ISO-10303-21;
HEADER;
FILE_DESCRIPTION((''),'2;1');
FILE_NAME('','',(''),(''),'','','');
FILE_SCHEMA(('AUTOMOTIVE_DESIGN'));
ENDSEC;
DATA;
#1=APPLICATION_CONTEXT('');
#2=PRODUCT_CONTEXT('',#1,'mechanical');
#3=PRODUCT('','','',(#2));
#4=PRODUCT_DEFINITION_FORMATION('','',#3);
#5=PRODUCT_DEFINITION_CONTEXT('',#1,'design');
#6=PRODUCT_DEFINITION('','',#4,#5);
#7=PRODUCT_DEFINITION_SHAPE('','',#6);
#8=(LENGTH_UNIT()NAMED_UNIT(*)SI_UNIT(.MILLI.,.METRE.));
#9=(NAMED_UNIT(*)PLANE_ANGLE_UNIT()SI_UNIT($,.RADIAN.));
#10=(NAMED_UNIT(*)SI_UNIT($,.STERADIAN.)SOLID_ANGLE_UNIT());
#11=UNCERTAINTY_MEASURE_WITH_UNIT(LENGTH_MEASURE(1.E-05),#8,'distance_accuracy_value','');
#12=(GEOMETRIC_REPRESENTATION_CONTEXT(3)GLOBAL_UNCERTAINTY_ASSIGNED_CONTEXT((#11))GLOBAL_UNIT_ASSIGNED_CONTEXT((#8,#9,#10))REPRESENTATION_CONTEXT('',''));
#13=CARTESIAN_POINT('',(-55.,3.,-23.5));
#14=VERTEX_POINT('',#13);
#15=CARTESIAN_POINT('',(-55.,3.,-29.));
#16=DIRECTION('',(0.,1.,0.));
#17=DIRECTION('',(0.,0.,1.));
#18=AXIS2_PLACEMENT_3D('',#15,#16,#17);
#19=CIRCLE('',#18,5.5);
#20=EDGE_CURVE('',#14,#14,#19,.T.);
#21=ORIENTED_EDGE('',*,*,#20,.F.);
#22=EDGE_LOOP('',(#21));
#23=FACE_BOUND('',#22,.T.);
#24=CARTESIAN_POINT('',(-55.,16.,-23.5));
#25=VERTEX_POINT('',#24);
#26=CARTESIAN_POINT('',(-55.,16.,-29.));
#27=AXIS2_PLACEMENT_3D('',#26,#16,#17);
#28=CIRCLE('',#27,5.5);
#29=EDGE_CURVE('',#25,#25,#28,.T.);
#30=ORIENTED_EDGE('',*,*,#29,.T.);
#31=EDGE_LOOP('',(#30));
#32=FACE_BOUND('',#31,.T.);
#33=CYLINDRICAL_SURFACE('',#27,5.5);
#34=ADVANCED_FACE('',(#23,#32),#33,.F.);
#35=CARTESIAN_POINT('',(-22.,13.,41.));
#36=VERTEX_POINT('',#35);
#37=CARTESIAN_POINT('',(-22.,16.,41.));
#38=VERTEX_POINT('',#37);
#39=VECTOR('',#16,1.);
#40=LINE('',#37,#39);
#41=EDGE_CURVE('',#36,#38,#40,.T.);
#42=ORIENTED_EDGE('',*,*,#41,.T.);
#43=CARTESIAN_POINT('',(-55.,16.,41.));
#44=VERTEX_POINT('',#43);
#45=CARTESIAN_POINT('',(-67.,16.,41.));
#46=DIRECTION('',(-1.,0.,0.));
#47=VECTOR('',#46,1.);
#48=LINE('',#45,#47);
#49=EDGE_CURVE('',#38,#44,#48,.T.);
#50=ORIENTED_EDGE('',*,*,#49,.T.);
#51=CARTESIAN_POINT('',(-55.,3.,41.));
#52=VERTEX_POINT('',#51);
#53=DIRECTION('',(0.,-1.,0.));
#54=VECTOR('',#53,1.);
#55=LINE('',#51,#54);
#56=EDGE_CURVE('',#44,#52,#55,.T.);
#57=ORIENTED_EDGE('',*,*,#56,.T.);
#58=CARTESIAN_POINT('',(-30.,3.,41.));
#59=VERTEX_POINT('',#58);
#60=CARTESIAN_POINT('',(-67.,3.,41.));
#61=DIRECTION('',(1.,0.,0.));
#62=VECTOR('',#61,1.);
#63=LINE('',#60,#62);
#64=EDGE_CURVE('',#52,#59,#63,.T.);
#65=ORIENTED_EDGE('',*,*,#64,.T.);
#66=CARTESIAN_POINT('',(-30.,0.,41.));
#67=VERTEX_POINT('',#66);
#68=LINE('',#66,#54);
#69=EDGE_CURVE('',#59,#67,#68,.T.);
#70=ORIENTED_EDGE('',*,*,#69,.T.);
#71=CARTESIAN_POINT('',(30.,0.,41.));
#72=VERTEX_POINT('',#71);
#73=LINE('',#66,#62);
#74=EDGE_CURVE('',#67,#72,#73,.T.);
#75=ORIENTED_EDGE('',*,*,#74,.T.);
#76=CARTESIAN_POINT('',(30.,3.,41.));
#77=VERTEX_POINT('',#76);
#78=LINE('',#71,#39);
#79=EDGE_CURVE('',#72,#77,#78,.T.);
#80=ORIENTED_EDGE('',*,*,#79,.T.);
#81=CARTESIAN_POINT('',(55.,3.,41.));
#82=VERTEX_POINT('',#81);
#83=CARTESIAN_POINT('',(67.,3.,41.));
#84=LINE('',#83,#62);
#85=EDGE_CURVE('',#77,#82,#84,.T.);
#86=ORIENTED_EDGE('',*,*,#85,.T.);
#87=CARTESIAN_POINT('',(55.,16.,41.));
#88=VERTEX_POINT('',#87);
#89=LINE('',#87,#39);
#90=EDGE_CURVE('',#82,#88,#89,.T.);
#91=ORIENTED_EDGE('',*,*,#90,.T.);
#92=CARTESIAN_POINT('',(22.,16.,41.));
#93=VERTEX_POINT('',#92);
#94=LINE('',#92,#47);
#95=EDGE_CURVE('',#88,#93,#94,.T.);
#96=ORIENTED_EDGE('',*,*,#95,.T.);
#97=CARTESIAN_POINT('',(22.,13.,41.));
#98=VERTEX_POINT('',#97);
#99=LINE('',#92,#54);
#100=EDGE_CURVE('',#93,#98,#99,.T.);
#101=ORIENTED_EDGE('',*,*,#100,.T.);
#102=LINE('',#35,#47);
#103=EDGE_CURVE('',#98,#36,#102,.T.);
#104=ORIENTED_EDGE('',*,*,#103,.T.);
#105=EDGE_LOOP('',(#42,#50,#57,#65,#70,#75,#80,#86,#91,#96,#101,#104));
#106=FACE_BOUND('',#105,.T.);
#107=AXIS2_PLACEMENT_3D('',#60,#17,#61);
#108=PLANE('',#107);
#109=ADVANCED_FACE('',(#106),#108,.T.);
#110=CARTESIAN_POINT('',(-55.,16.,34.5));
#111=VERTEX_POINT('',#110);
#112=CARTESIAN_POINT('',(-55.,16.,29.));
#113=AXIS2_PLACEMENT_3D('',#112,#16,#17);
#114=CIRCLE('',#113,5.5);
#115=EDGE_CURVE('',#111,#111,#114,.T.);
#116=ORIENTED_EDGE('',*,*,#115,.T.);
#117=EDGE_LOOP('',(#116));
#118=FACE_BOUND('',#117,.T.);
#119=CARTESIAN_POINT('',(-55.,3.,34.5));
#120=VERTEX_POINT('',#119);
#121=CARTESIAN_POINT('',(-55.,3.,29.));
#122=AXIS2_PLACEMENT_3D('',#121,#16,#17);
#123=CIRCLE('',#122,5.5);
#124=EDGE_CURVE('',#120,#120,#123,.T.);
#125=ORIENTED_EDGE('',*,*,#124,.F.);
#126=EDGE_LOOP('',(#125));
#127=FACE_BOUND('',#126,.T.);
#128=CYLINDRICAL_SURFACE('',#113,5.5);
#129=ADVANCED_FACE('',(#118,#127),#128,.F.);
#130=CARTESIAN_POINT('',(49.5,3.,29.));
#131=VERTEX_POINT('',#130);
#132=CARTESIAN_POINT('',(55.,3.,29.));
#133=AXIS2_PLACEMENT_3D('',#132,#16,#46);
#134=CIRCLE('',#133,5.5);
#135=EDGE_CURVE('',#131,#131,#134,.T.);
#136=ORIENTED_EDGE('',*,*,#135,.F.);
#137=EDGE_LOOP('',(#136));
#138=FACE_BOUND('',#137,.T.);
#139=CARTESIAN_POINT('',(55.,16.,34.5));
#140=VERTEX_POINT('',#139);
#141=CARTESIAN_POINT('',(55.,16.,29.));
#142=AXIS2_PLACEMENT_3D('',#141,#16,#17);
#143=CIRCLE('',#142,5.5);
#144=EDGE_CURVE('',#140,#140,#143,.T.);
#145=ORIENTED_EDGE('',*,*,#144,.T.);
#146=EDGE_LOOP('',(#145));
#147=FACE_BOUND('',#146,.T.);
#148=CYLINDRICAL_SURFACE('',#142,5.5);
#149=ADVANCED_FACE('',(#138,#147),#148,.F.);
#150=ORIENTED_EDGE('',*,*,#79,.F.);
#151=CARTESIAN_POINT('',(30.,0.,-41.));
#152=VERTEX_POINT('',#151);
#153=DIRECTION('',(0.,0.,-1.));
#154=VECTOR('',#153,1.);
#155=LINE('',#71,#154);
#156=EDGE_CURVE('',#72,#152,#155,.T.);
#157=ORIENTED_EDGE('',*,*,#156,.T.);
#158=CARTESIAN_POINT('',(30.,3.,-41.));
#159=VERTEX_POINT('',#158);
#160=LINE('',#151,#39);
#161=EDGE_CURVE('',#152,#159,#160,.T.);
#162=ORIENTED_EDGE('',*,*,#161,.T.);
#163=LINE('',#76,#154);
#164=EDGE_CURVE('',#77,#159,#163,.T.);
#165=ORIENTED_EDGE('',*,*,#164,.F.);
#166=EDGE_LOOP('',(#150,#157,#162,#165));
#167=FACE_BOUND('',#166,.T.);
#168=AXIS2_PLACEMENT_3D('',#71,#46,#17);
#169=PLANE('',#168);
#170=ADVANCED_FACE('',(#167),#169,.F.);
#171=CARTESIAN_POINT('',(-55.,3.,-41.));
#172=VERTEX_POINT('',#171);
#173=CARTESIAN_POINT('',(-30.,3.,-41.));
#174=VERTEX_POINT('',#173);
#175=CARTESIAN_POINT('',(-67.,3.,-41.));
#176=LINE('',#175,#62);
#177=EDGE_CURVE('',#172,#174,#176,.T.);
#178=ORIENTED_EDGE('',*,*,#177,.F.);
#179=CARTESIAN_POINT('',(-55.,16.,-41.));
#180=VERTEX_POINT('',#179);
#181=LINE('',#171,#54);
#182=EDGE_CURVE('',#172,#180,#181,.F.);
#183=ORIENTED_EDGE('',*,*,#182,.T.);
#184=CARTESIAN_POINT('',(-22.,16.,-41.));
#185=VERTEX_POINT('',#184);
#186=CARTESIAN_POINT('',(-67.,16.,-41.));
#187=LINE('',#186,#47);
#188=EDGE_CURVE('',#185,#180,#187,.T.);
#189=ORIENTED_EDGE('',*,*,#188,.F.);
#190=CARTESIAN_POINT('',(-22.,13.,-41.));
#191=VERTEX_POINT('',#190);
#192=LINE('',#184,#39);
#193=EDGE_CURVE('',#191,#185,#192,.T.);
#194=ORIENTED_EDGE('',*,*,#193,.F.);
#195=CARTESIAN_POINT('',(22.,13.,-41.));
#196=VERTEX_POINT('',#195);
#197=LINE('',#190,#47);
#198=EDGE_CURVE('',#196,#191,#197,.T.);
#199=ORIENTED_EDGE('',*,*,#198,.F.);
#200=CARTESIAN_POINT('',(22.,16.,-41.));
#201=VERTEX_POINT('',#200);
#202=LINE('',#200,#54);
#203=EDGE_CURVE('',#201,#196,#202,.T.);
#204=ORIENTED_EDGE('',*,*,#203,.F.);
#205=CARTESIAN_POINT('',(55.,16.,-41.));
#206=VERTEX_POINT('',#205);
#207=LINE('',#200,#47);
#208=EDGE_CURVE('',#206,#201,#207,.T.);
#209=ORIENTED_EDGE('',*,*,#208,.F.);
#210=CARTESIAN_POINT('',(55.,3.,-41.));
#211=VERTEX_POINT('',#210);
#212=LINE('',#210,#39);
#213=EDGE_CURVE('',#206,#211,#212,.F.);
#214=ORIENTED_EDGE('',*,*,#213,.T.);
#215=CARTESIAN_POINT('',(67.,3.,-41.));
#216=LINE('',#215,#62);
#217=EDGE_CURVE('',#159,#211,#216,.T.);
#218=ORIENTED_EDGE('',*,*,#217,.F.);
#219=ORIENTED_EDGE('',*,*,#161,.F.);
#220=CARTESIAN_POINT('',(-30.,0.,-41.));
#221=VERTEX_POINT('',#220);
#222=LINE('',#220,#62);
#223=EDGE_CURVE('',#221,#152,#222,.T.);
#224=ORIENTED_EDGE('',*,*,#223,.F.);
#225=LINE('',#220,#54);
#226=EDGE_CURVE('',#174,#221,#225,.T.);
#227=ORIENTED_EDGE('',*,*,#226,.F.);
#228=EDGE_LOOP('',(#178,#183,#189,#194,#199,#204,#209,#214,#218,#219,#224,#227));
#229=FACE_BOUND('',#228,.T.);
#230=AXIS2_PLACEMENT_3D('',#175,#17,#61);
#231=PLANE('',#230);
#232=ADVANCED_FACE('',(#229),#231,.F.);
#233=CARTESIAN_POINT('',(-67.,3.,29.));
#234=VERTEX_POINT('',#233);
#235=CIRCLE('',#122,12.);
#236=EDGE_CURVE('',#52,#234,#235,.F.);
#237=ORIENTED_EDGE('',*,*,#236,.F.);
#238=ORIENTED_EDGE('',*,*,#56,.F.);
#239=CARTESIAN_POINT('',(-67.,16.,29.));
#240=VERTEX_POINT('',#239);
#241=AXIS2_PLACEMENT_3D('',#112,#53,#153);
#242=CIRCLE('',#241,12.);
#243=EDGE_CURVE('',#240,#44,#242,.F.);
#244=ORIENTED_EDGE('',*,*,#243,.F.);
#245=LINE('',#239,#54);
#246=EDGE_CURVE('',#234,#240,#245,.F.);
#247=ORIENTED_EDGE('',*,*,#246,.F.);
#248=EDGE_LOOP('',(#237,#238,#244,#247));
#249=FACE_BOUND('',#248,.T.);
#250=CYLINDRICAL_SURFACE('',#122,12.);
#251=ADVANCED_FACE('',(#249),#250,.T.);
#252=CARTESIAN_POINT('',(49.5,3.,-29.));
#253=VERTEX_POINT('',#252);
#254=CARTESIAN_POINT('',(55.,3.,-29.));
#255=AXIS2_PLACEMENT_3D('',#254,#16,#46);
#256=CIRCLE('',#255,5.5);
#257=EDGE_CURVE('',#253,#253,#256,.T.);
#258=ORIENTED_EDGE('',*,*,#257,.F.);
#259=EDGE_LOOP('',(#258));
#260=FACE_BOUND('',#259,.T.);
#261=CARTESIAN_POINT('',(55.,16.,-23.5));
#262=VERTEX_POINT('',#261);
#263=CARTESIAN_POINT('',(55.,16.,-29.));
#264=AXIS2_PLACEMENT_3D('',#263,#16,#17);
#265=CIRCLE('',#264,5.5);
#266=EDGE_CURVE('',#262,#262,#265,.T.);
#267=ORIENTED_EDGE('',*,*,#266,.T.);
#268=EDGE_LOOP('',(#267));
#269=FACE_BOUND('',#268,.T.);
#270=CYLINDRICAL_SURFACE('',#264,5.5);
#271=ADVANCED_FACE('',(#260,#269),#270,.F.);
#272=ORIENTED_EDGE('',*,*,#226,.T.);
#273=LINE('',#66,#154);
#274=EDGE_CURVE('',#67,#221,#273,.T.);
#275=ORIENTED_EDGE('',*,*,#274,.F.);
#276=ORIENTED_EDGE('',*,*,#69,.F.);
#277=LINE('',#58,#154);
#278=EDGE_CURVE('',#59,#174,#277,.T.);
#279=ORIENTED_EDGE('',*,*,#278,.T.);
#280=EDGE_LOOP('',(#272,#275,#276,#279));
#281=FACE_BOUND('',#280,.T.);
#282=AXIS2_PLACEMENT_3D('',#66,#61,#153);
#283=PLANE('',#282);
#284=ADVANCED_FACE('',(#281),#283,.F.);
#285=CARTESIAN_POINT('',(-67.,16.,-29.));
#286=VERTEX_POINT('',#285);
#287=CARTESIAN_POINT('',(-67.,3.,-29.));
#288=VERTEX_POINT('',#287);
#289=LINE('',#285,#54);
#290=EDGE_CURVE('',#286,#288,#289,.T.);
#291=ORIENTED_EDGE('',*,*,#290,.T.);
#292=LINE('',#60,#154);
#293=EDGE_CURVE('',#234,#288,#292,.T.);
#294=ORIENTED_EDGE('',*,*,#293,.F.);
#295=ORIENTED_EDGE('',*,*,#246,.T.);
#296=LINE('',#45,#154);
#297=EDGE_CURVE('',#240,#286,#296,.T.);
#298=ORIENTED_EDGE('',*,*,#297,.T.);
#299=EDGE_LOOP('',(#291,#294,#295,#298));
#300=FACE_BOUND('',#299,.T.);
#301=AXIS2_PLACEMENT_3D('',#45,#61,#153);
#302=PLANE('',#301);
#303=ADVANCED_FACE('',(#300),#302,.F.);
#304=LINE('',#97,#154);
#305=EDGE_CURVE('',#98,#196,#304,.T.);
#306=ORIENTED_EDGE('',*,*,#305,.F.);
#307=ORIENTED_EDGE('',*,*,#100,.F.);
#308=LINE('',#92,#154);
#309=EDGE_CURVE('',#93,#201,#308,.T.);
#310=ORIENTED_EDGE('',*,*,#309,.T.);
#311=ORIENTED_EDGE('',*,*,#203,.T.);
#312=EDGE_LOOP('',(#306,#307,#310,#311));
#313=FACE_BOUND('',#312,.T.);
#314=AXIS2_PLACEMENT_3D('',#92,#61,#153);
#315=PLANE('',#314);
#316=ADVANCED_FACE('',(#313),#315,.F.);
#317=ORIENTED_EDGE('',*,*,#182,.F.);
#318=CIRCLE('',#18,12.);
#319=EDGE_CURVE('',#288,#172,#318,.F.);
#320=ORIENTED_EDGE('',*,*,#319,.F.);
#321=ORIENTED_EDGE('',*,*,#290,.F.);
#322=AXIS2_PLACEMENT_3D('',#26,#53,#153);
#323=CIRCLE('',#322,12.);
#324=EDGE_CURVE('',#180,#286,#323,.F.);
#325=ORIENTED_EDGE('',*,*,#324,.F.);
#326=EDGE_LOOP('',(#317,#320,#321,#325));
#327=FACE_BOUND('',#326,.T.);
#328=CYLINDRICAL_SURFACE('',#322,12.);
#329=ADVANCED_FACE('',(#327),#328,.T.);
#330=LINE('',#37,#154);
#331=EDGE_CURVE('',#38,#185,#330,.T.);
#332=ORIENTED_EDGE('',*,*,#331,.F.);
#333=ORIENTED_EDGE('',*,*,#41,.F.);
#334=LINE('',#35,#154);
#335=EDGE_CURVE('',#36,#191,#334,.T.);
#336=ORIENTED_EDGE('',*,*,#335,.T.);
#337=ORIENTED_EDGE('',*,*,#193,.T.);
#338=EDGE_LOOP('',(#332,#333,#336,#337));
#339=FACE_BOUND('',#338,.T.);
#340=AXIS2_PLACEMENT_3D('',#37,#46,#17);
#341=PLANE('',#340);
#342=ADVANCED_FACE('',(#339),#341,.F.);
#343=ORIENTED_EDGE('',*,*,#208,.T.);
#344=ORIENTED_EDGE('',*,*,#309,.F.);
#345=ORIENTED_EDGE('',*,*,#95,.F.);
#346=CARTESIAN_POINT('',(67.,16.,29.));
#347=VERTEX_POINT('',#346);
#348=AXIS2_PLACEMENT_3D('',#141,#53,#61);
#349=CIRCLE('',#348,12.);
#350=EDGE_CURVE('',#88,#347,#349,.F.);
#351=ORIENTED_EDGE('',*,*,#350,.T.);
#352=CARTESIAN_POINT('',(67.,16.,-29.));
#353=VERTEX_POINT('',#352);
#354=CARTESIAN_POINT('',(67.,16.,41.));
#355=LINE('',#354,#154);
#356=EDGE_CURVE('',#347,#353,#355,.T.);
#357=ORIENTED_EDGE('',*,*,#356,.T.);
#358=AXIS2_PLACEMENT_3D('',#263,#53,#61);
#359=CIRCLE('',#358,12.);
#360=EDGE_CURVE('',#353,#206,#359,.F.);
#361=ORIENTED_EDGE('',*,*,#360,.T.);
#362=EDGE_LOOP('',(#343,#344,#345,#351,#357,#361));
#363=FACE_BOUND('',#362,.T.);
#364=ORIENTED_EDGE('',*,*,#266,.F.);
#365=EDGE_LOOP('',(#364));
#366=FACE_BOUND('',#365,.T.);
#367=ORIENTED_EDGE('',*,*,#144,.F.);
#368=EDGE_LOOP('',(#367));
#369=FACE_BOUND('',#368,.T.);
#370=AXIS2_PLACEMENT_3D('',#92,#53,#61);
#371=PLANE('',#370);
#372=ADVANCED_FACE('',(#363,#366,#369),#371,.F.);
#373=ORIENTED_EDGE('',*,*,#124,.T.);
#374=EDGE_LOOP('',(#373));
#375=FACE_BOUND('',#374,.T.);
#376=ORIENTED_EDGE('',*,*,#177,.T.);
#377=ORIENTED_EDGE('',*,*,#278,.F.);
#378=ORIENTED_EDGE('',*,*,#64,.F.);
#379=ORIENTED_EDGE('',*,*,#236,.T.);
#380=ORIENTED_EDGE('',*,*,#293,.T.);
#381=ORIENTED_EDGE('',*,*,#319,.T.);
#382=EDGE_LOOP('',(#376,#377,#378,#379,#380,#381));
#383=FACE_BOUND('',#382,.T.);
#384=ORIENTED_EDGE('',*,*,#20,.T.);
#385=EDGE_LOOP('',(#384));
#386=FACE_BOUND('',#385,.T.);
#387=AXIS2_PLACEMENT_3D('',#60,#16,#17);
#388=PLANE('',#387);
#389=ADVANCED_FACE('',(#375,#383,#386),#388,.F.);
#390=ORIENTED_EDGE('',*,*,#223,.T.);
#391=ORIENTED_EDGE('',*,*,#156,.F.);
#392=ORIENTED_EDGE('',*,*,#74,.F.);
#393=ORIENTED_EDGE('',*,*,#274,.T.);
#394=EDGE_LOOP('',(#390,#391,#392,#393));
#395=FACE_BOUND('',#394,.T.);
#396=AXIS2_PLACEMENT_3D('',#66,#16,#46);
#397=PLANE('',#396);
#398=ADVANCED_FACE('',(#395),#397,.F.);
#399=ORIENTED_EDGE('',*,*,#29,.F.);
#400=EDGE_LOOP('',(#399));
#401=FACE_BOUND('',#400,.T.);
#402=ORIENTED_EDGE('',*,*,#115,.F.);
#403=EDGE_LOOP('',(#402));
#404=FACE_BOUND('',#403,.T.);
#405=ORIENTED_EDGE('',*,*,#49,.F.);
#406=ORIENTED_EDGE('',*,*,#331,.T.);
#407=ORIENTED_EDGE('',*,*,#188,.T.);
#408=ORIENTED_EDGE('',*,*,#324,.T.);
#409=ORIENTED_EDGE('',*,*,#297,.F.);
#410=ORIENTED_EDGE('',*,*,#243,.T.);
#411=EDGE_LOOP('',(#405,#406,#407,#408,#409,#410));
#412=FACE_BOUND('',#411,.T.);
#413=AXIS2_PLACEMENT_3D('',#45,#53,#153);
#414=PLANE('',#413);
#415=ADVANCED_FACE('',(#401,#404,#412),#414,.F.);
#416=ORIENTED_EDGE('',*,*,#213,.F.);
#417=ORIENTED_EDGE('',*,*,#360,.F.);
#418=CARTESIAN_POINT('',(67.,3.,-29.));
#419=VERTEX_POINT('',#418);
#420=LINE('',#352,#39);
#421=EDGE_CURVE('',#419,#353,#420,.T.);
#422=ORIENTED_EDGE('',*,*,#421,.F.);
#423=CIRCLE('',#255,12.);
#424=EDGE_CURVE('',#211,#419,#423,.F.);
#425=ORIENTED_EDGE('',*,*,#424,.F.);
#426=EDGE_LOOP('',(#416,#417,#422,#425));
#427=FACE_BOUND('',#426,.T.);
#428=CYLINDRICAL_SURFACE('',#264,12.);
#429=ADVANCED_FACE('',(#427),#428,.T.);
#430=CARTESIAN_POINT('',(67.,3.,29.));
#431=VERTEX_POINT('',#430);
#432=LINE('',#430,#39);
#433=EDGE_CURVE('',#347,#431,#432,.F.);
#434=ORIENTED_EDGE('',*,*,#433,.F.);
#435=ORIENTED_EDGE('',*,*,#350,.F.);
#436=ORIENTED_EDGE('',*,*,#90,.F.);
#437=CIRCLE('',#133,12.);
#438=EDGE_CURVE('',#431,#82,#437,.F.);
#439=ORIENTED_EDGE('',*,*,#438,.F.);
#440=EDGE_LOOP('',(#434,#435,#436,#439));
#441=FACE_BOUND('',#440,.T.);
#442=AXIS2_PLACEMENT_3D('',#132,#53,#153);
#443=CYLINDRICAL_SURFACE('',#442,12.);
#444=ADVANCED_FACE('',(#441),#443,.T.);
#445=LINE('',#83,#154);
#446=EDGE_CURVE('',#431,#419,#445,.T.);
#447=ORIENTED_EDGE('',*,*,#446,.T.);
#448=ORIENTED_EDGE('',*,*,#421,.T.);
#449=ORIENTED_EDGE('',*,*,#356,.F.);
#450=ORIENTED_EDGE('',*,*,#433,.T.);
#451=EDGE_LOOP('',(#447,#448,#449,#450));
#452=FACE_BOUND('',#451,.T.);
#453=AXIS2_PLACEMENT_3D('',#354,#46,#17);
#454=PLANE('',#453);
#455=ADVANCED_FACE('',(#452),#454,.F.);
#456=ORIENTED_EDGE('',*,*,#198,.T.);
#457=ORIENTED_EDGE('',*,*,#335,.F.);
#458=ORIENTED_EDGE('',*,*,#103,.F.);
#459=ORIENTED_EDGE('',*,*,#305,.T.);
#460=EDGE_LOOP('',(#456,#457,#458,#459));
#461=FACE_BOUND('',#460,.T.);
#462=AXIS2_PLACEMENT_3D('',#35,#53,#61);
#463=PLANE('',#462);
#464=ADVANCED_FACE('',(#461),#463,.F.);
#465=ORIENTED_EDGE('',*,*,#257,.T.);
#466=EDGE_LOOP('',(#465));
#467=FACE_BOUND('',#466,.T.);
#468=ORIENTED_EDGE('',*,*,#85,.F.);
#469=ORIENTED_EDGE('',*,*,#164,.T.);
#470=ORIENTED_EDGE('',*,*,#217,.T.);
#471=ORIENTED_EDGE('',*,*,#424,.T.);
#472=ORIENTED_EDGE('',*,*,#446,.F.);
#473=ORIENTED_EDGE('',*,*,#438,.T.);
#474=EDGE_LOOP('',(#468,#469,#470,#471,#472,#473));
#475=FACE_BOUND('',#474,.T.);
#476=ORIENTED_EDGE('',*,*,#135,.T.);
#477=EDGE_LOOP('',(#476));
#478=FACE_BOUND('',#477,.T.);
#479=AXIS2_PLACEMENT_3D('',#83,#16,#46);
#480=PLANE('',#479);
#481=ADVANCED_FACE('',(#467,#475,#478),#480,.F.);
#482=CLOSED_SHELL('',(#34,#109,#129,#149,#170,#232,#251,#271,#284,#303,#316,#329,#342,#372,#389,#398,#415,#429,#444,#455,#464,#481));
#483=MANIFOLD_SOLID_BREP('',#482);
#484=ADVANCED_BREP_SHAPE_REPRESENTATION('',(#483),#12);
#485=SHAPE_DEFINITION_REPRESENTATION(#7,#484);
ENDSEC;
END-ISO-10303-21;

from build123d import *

# Parameters (mm, degrees)
EXTRUSION1_DEPTH   = 41
CONG_1_R           = 12
D_GAGEMENT_M1_61_D = 11


with BuildPart() as part:
    # Esquisse1 → Extrusion1 (new, symmetric)
    with BuildSketch(Plane.XY):
        Polygon((22, 16), (67, 16), (67, 3), (30, 3), (30, 0), (-30, 0), (-30, 3), (-67, 3), (-67, 16), (-22, 16), (-22, 13), (22, 13), align=None)
    extrude(amount=EXTRUSION1_DEPTH, both=True)

    # Congé1
    cong_1_edges = [part.edges().sort_by_distance(p)[0] for p in [
        (67, 9.5, -41),
        (-67, 9.5, -41),
        (67, 9.5, 41),
        (-67, 9.5, 41),
    ]]
    fillet(cong_1_edges, radius=CONG_1_R)

    # Dégagement M1.61 (through all)
    with Locations(Plane(origin=(0, 16, 0), x_dir=(-1, 0, 0), z_dir=(0, 1, 0))):
        with Locations((55, 29), (55, -29), (-55, -29), (-55, 29)):
            Hole(D_GAGEMENT_M1_61_D / 2)


solid = part.part
